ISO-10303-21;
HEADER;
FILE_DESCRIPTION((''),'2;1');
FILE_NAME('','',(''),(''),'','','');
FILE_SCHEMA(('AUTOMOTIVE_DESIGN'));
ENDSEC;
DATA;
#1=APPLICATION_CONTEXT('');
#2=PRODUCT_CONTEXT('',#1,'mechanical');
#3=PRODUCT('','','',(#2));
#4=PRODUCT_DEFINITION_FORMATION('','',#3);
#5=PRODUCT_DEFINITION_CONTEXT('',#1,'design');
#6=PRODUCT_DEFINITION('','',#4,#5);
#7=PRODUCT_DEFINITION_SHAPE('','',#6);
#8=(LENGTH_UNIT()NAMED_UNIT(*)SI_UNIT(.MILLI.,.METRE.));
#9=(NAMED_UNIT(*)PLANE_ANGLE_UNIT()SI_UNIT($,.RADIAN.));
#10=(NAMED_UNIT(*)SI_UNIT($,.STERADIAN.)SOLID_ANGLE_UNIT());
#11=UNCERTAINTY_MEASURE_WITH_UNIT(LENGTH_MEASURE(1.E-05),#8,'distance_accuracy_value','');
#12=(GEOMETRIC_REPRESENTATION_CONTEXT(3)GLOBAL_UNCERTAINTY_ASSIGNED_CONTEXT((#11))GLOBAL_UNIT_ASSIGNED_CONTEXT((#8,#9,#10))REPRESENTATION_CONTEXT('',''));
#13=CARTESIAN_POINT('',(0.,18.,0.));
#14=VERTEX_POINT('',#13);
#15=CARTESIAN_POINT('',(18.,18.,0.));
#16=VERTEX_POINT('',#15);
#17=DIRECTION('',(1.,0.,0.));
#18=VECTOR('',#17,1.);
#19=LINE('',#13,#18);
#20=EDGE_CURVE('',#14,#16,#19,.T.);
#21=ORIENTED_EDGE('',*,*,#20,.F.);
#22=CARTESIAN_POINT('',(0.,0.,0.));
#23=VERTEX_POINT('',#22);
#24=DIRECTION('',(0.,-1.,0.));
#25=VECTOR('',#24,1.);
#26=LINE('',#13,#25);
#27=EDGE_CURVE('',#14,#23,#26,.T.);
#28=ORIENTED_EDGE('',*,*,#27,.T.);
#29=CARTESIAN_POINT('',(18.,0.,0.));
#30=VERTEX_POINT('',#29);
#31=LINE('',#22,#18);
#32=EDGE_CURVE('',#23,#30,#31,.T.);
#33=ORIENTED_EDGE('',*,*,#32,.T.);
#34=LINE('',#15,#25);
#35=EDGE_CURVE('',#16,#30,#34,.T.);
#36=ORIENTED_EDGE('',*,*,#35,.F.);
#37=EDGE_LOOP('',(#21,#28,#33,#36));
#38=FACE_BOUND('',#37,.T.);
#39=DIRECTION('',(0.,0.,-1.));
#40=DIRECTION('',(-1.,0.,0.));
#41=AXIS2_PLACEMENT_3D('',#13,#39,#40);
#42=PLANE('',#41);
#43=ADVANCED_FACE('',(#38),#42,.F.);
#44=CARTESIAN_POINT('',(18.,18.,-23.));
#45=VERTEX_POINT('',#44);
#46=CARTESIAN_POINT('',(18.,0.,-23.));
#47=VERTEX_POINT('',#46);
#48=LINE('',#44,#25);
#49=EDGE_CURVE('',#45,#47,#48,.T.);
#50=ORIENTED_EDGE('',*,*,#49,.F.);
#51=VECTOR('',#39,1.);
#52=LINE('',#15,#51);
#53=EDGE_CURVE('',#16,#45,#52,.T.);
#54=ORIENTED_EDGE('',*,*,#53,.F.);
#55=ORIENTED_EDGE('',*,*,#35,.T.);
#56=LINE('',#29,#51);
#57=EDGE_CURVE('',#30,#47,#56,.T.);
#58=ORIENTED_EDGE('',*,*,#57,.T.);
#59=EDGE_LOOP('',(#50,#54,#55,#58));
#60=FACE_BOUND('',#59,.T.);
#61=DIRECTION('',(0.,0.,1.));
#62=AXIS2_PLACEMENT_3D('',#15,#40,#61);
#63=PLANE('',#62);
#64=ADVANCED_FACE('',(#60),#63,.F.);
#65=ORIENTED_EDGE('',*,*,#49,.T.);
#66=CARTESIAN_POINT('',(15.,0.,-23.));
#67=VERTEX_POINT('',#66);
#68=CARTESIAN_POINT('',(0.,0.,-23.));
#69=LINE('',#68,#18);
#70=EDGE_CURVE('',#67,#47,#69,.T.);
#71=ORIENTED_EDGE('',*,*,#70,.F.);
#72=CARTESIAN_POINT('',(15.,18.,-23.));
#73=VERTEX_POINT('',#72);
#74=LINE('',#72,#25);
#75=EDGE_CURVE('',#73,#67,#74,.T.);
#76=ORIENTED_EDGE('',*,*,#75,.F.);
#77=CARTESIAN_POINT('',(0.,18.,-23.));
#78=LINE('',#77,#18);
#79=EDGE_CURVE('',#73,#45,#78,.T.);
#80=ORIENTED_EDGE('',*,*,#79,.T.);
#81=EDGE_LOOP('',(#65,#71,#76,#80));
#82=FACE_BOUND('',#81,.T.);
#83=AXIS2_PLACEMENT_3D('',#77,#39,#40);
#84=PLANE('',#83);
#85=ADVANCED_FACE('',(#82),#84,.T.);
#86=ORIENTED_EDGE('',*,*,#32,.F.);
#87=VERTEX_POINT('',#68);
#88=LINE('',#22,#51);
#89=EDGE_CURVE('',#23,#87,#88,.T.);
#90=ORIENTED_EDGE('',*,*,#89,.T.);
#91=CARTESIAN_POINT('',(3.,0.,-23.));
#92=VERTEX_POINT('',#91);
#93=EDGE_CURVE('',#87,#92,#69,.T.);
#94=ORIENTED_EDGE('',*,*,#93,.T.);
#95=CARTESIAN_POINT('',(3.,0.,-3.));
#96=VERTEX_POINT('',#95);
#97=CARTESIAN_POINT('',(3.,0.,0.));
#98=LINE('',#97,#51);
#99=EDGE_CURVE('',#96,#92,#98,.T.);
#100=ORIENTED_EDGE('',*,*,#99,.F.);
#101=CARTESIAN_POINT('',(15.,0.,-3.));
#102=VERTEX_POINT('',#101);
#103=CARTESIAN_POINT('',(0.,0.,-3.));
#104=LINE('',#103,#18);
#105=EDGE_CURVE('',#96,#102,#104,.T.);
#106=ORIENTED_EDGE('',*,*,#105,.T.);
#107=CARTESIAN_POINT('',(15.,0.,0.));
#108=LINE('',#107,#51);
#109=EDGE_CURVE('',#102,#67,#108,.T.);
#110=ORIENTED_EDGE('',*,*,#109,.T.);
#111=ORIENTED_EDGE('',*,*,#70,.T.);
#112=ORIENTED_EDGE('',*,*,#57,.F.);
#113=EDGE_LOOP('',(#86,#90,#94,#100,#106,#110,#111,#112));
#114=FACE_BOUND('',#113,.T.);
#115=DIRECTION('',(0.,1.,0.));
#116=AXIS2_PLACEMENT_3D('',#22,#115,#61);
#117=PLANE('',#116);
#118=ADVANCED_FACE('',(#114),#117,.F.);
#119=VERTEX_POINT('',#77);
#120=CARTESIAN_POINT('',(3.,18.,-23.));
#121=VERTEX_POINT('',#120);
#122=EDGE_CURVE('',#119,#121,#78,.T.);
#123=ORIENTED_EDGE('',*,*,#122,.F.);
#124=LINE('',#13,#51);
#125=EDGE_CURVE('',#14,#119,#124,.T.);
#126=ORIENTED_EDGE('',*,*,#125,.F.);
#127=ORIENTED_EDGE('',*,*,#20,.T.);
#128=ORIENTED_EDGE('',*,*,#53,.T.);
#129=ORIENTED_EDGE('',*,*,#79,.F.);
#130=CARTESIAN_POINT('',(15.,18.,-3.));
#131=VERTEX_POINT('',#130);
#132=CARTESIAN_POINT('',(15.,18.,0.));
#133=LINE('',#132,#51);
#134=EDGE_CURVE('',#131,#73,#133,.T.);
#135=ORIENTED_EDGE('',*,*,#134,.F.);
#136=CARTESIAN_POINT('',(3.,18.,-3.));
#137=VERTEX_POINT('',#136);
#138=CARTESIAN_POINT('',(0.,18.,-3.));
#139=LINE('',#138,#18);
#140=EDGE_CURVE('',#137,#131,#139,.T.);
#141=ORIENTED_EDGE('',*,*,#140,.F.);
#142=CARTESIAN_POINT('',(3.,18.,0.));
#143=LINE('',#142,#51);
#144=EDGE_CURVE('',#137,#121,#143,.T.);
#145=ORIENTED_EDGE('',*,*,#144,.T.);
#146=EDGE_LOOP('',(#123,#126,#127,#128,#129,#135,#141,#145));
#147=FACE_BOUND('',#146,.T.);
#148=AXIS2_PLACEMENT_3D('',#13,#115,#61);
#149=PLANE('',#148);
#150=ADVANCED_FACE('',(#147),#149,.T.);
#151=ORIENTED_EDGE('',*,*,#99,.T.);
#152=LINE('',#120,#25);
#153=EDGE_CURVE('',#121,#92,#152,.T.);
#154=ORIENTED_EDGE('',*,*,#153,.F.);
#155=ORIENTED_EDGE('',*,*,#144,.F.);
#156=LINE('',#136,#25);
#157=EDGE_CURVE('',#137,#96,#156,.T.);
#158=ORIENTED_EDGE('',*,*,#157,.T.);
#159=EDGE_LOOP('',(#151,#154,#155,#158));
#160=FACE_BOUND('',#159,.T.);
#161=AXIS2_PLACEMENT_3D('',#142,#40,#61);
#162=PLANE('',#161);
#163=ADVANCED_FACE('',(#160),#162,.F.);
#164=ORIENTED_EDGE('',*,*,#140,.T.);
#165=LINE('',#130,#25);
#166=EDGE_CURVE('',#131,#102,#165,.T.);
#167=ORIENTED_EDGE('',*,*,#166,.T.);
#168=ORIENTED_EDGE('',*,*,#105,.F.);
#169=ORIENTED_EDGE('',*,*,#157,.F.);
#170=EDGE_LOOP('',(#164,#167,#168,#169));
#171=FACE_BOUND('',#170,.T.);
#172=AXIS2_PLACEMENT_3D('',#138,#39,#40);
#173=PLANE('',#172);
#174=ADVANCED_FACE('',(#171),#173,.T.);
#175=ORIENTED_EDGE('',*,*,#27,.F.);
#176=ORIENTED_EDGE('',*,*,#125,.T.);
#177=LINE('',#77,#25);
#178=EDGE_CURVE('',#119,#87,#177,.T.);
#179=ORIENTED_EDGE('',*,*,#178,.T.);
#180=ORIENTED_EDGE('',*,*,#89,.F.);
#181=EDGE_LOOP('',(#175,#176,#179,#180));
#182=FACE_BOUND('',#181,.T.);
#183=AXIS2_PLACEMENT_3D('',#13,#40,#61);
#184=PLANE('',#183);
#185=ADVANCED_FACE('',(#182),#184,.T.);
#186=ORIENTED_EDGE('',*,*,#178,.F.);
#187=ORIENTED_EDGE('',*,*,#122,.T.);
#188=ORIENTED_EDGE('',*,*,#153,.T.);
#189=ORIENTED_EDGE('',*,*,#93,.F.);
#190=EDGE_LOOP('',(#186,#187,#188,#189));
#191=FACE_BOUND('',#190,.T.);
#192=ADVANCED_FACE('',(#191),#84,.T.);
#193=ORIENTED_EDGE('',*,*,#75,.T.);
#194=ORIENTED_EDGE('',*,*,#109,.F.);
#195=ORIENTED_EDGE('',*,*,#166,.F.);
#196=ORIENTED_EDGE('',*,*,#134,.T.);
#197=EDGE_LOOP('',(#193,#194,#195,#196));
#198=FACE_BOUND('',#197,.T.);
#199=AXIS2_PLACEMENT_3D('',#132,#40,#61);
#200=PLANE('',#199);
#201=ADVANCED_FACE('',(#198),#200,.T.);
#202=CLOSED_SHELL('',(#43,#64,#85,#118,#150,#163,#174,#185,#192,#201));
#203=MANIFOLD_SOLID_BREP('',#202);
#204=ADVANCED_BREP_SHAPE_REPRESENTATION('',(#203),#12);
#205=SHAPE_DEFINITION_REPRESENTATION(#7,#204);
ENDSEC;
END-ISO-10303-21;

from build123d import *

# Parameters (mm, degrees)
BOSS_EXTRUDE1_DEPTH = 18


with BuildPart() as part:
    # Sketch1 → Boss-Extrude1 (new body)
    with BuildSketch(Plane(origin=(0, 0, 0), x_dir=(1, 0, 0), z_dir=(0, 1, 0))):
        Polygon((0, 23), (0, 0), (18, 0), (18, 23), (15, 23), (15, 3), (3, 3), (3, 23), align=None)
    extrude(amount=BOSS_EXTRUDE1_DEPTH)


solid = part.part
